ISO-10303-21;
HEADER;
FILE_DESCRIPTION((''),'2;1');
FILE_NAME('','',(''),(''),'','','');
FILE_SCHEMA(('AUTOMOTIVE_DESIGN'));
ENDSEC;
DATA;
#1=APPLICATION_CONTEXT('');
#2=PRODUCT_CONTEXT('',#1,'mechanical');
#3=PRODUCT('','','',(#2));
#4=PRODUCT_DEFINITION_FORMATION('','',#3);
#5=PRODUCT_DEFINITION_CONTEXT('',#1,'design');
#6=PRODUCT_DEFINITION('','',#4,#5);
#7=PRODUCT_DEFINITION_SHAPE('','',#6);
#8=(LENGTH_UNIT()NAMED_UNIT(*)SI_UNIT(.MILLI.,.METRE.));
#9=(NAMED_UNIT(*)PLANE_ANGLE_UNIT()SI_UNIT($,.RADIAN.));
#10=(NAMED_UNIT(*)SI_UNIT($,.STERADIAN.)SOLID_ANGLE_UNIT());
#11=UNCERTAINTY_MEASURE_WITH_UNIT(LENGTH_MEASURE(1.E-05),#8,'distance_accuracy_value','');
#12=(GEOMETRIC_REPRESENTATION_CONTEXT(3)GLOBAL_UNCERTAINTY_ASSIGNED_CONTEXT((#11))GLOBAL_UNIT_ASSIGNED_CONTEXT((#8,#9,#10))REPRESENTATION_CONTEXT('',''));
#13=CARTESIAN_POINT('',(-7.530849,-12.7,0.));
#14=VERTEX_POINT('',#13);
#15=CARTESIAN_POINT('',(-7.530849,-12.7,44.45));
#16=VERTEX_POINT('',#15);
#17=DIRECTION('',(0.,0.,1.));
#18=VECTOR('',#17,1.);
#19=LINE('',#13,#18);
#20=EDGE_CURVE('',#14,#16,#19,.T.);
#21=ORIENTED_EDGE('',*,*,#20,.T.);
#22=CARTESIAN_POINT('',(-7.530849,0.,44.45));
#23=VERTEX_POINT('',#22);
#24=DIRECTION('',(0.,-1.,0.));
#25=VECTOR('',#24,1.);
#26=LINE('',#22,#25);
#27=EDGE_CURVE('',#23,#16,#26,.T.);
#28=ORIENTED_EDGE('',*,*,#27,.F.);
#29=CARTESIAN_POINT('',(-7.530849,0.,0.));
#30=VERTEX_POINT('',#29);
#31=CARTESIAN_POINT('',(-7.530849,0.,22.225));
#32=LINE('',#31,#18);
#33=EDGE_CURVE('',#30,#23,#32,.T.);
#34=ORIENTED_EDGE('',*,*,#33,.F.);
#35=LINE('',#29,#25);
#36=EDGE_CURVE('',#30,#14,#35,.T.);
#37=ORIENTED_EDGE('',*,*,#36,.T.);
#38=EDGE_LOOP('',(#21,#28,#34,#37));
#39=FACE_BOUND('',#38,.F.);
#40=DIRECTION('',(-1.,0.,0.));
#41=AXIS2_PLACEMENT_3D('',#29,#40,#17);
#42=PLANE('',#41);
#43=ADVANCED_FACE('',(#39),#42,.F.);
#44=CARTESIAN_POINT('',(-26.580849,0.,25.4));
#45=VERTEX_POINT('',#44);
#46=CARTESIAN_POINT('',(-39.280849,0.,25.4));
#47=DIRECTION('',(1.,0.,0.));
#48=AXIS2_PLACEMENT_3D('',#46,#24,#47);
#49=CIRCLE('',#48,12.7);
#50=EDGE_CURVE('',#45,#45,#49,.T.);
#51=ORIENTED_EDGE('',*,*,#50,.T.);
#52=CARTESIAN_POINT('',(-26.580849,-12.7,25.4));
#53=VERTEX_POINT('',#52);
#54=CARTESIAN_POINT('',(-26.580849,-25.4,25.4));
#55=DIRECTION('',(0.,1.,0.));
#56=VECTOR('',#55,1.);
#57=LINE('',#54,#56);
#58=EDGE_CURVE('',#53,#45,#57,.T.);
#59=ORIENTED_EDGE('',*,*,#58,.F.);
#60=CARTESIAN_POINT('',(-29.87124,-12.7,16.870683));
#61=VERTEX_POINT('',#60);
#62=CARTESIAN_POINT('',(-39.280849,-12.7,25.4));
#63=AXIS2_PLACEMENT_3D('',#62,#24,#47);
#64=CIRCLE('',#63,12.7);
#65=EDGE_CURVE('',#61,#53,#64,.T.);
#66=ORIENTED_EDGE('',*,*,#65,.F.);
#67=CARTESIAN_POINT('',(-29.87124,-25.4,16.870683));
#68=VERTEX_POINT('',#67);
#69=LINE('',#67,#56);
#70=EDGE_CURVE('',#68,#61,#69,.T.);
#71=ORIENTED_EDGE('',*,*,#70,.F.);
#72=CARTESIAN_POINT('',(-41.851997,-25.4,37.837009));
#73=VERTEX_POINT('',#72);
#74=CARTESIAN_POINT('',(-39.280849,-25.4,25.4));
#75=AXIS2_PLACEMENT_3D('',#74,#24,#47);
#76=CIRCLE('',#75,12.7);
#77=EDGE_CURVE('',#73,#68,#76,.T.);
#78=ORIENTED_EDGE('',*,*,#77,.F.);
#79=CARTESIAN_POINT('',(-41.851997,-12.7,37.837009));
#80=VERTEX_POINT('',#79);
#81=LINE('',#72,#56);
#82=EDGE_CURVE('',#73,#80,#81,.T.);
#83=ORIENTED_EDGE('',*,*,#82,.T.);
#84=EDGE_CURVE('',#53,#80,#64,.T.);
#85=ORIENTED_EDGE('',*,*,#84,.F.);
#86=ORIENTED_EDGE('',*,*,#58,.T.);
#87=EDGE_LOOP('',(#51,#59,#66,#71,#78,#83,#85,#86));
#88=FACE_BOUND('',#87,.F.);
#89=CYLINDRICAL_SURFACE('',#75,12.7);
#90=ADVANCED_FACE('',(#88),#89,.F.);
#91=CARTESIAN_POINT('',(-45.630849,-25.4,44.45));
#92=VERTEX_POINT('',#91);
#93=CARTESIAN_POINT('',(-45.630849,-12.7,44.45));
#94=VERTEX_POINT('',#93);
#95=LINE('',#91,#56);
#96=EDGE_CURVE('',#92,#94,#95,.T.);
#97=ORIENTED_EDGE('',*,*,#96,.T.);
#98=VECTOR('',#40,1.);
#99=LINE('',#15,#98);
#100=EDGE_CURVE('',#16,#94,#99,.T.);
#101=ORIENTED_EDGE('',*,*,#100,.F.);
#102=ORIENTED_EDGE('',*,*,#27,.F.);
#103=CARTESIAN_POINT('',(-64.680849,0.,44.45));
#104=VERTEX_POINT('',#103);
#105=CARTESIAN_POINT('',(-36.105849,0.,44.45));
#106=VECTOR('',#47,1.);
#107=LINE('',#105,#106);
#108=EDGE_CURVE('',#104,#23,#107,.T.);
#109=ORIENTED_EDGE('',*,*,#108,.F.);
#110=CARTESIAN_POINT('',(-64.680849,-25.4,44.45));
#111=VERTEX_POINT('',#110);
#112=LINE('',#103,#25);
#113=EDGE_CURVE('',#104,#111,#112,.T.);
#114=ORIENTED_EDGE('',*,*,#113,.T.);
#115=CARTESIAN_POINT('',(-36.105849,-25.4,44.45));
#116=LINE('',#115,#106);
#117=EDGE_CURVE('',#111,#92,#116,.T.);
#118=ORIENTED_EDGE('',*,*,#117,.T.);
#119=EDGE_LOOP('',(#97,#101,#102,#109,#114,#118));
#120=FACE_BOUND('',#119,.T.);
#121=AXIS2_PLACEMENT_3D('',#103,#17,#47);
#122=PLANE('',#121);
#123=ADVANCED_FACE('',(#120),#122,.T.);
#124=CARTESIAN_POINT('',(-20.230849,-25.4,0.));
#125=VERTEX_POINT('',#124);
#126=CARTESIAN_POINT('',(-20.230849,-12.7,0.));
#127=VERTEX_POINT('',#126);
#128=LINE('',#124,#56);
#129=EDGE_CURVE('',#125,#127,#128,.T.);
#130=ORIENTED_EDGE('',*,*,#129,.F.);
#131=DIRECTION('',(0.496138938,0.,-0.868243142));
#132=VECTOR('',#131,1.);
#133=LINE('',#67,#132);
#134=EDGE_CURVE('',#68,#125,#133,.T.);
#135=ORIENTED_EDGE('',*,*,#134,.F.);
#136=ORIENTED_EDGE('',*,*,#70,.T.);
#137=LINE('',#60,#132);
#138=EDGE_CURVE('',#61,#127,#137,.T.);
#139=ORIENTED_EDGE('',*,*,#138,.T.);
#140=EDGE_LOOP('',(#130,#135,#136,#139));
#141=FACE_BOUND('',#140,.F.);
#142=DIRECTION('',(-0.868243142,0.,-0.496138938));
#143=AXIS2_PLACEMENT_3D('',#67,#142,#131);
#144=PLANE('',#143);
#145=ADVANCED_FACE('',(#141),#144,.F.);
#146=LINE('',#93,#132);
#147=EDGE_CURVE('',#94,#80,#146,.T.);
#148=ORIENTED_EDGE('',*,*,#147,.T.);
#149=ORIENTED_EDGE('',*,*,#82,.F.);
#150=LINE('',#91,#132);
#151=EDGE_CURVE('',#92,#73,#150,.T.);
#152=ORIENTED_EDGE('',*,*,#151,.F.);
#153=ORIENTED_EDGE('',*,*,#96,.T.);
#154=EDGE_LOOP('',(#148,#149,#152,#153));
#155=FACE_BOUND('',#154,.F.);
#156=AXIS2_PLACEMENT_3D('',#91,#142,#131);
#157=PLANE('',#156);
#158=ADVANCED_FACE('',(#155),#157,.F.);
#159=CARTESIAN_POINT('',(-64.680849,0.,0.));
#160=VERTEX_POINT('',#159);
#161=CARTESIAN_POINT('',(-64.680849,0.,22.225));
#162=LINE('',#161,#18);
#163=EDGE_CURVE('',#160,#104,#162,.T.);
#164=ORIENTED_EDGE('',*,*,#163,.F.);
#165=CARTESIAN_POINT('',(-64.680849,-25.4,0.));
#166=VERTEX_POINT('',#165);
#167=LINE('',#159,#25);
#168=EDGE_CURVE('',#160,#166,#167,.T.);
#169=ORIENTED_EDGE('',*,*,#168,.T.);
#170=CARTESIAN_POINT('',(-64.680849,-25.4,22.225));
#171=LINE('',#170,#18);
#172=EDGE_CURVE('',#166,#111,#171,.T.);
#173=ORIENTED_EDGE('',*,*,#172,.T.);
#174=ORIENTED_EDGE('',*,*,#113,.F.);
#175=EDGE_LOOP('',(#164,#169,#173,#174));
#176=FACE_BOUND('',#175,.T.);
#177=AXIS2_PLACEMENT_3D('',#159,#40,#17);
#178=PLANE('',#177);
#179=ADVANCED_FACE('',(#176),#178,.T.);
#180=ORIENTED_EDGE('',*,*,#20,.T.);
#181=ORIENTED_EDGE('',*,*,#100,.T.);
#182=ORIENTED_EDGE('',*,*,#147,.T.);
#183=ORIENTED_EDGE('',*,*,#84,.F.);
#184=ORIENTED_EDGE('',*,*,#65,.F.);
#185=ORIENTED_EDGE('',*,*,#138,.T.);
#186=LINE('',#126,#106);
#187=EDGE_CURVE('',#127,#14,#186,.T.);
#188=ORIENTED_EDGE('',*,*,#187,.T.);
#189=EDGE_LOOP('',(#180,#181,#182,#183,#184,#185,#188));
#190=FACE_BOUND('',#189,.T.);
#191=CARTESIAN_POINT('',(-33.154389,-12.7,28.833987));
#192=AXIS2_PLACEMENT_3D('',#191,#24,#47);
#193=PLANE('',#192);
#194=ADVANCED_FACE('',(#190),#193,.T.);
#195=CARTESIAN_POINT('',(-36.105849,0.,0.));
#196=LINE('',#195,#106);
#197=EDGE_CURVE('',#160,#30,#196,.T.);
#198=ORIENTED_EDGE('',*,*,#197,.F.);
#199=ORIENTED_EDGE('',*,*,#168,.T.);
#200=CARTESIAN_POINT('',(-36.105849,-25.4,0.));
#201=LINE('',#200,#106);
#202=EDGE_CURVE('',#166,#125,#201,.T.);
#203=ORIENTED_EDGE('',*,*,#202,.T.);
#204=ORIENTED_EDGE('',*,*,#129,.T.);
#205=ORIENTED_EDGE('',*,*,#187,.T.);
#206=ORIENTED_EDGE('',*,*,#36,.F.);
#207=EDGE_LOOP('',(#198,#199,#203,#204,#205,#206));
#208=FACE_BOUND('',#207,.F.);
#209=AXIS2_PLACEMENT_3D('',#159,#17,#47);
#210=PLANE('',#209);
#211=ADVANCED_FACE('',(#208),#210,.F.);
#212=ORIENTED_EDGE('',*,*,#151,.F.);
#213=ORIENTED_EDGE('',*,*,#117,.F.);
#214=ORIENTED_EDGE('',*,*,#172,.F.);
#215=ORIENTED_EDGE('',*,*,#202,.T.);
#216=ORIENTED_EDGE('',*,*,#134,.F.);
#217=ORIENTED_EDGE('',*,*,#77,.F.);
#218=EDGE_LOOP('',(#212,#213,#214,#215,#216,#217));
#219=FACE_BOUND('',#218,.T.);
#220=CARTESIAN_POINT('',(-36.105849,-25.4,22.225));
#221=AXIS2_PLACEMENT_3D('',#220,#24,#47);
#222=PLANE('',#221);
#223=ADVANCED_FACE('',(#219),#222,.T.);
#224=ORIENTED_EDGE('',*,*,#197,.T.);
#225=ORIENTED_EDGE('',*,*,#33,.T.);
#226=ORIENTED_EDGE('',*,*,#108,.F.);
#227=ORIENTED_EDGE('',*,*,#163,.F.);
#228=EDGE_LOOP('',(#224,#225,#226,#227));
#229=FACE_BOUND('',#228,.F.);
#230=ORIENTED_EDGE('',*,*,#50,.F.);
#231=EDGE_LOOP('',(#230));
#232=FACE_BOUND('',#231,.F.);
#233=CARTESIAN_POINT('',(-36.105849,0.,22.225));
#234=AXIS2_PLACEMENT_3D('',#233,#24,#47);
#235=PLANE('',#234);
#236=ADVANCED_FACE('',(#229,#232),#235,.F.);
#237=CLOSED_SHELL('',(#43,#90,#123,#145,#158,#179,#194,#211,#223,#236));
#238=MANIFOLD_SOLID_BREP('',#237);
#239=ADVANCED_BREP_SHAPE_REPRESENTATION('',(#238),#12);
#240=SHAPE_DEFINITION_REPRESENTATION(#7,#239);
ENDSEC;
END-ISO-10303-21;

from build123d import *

# Parameters (mm, degrees)
F0_W     = 57.15
F0_H     = 44.45
F1_DEPTH = 25.4
F2_R     = 12.7
F3_DEPTH = 25.401
F5_DEPTH = 12.7


with BuildPart() as f1:
    # F0 (on Front) → F1 (new body)
    with BuildSketch(Plane.XZ):
        with Locations((-36.1058493774, 22.225)):
            Rectangle(F0_W, F0_H)
    extrude(amount=F1_DEPTH)

    # F2 (on face) → F3 (cut, through all)
    with BuildSketch(Plane.XZ.offset(25.4)):
        with Locations((-39.2808493774, 25.4)):
            Circle(F2_R)
    extrude(amount=-F3_DEPTH, mode=Mode.SUBTRACT)

    # F4 (on face) → F5 (cut)
    with BuildSketch(Plane.XZ.offset(25.4)):
        with BuildLine():
            ThreePointArc((-26.5808493774, 25.4), (-31.2609859412, 35.2474255755), (-41.8519974821, 37.8370091832))
            Line((-41.8519974821, 37.8370091832), (-29.8712397342, 16.8706831245))
            ThreePointArc((-29.8712397342, 16.8706831245), (-27.4319666776, 20.8290068075), (-26.5808493774, 25.4))
        make_face()
        with BuildLine():
            Line((-7.5308493774, 44.45), (-45.6308493774, 44.45))
            Line((-45.6308493774, 44.45), (-41.8519974821, 37.8370091832))
            ThreePointArc((-41.8519974821, 37.8370091832), (-31.2609859412, 35.2474255755), (-26.5808493774, 25.4))
            ThreePointArc((-26.5808493774, 25.4), (-27.4319666776, 20.8290068075), (-29.8712397342, 16.8706831245))
            Line((-29.8712397342, 16.8706831245), (-20.2308493774, 0))
            Line((-20.2308493774, 0), (-7.5308493774, 0))
            Line((-7.5308493774, 0), (-7.5308493774, 44.45))
        make_face()
    extrude(amount=-F5_DEPTH, mode=Mode.SUBTRACT)


solid = f1.part
